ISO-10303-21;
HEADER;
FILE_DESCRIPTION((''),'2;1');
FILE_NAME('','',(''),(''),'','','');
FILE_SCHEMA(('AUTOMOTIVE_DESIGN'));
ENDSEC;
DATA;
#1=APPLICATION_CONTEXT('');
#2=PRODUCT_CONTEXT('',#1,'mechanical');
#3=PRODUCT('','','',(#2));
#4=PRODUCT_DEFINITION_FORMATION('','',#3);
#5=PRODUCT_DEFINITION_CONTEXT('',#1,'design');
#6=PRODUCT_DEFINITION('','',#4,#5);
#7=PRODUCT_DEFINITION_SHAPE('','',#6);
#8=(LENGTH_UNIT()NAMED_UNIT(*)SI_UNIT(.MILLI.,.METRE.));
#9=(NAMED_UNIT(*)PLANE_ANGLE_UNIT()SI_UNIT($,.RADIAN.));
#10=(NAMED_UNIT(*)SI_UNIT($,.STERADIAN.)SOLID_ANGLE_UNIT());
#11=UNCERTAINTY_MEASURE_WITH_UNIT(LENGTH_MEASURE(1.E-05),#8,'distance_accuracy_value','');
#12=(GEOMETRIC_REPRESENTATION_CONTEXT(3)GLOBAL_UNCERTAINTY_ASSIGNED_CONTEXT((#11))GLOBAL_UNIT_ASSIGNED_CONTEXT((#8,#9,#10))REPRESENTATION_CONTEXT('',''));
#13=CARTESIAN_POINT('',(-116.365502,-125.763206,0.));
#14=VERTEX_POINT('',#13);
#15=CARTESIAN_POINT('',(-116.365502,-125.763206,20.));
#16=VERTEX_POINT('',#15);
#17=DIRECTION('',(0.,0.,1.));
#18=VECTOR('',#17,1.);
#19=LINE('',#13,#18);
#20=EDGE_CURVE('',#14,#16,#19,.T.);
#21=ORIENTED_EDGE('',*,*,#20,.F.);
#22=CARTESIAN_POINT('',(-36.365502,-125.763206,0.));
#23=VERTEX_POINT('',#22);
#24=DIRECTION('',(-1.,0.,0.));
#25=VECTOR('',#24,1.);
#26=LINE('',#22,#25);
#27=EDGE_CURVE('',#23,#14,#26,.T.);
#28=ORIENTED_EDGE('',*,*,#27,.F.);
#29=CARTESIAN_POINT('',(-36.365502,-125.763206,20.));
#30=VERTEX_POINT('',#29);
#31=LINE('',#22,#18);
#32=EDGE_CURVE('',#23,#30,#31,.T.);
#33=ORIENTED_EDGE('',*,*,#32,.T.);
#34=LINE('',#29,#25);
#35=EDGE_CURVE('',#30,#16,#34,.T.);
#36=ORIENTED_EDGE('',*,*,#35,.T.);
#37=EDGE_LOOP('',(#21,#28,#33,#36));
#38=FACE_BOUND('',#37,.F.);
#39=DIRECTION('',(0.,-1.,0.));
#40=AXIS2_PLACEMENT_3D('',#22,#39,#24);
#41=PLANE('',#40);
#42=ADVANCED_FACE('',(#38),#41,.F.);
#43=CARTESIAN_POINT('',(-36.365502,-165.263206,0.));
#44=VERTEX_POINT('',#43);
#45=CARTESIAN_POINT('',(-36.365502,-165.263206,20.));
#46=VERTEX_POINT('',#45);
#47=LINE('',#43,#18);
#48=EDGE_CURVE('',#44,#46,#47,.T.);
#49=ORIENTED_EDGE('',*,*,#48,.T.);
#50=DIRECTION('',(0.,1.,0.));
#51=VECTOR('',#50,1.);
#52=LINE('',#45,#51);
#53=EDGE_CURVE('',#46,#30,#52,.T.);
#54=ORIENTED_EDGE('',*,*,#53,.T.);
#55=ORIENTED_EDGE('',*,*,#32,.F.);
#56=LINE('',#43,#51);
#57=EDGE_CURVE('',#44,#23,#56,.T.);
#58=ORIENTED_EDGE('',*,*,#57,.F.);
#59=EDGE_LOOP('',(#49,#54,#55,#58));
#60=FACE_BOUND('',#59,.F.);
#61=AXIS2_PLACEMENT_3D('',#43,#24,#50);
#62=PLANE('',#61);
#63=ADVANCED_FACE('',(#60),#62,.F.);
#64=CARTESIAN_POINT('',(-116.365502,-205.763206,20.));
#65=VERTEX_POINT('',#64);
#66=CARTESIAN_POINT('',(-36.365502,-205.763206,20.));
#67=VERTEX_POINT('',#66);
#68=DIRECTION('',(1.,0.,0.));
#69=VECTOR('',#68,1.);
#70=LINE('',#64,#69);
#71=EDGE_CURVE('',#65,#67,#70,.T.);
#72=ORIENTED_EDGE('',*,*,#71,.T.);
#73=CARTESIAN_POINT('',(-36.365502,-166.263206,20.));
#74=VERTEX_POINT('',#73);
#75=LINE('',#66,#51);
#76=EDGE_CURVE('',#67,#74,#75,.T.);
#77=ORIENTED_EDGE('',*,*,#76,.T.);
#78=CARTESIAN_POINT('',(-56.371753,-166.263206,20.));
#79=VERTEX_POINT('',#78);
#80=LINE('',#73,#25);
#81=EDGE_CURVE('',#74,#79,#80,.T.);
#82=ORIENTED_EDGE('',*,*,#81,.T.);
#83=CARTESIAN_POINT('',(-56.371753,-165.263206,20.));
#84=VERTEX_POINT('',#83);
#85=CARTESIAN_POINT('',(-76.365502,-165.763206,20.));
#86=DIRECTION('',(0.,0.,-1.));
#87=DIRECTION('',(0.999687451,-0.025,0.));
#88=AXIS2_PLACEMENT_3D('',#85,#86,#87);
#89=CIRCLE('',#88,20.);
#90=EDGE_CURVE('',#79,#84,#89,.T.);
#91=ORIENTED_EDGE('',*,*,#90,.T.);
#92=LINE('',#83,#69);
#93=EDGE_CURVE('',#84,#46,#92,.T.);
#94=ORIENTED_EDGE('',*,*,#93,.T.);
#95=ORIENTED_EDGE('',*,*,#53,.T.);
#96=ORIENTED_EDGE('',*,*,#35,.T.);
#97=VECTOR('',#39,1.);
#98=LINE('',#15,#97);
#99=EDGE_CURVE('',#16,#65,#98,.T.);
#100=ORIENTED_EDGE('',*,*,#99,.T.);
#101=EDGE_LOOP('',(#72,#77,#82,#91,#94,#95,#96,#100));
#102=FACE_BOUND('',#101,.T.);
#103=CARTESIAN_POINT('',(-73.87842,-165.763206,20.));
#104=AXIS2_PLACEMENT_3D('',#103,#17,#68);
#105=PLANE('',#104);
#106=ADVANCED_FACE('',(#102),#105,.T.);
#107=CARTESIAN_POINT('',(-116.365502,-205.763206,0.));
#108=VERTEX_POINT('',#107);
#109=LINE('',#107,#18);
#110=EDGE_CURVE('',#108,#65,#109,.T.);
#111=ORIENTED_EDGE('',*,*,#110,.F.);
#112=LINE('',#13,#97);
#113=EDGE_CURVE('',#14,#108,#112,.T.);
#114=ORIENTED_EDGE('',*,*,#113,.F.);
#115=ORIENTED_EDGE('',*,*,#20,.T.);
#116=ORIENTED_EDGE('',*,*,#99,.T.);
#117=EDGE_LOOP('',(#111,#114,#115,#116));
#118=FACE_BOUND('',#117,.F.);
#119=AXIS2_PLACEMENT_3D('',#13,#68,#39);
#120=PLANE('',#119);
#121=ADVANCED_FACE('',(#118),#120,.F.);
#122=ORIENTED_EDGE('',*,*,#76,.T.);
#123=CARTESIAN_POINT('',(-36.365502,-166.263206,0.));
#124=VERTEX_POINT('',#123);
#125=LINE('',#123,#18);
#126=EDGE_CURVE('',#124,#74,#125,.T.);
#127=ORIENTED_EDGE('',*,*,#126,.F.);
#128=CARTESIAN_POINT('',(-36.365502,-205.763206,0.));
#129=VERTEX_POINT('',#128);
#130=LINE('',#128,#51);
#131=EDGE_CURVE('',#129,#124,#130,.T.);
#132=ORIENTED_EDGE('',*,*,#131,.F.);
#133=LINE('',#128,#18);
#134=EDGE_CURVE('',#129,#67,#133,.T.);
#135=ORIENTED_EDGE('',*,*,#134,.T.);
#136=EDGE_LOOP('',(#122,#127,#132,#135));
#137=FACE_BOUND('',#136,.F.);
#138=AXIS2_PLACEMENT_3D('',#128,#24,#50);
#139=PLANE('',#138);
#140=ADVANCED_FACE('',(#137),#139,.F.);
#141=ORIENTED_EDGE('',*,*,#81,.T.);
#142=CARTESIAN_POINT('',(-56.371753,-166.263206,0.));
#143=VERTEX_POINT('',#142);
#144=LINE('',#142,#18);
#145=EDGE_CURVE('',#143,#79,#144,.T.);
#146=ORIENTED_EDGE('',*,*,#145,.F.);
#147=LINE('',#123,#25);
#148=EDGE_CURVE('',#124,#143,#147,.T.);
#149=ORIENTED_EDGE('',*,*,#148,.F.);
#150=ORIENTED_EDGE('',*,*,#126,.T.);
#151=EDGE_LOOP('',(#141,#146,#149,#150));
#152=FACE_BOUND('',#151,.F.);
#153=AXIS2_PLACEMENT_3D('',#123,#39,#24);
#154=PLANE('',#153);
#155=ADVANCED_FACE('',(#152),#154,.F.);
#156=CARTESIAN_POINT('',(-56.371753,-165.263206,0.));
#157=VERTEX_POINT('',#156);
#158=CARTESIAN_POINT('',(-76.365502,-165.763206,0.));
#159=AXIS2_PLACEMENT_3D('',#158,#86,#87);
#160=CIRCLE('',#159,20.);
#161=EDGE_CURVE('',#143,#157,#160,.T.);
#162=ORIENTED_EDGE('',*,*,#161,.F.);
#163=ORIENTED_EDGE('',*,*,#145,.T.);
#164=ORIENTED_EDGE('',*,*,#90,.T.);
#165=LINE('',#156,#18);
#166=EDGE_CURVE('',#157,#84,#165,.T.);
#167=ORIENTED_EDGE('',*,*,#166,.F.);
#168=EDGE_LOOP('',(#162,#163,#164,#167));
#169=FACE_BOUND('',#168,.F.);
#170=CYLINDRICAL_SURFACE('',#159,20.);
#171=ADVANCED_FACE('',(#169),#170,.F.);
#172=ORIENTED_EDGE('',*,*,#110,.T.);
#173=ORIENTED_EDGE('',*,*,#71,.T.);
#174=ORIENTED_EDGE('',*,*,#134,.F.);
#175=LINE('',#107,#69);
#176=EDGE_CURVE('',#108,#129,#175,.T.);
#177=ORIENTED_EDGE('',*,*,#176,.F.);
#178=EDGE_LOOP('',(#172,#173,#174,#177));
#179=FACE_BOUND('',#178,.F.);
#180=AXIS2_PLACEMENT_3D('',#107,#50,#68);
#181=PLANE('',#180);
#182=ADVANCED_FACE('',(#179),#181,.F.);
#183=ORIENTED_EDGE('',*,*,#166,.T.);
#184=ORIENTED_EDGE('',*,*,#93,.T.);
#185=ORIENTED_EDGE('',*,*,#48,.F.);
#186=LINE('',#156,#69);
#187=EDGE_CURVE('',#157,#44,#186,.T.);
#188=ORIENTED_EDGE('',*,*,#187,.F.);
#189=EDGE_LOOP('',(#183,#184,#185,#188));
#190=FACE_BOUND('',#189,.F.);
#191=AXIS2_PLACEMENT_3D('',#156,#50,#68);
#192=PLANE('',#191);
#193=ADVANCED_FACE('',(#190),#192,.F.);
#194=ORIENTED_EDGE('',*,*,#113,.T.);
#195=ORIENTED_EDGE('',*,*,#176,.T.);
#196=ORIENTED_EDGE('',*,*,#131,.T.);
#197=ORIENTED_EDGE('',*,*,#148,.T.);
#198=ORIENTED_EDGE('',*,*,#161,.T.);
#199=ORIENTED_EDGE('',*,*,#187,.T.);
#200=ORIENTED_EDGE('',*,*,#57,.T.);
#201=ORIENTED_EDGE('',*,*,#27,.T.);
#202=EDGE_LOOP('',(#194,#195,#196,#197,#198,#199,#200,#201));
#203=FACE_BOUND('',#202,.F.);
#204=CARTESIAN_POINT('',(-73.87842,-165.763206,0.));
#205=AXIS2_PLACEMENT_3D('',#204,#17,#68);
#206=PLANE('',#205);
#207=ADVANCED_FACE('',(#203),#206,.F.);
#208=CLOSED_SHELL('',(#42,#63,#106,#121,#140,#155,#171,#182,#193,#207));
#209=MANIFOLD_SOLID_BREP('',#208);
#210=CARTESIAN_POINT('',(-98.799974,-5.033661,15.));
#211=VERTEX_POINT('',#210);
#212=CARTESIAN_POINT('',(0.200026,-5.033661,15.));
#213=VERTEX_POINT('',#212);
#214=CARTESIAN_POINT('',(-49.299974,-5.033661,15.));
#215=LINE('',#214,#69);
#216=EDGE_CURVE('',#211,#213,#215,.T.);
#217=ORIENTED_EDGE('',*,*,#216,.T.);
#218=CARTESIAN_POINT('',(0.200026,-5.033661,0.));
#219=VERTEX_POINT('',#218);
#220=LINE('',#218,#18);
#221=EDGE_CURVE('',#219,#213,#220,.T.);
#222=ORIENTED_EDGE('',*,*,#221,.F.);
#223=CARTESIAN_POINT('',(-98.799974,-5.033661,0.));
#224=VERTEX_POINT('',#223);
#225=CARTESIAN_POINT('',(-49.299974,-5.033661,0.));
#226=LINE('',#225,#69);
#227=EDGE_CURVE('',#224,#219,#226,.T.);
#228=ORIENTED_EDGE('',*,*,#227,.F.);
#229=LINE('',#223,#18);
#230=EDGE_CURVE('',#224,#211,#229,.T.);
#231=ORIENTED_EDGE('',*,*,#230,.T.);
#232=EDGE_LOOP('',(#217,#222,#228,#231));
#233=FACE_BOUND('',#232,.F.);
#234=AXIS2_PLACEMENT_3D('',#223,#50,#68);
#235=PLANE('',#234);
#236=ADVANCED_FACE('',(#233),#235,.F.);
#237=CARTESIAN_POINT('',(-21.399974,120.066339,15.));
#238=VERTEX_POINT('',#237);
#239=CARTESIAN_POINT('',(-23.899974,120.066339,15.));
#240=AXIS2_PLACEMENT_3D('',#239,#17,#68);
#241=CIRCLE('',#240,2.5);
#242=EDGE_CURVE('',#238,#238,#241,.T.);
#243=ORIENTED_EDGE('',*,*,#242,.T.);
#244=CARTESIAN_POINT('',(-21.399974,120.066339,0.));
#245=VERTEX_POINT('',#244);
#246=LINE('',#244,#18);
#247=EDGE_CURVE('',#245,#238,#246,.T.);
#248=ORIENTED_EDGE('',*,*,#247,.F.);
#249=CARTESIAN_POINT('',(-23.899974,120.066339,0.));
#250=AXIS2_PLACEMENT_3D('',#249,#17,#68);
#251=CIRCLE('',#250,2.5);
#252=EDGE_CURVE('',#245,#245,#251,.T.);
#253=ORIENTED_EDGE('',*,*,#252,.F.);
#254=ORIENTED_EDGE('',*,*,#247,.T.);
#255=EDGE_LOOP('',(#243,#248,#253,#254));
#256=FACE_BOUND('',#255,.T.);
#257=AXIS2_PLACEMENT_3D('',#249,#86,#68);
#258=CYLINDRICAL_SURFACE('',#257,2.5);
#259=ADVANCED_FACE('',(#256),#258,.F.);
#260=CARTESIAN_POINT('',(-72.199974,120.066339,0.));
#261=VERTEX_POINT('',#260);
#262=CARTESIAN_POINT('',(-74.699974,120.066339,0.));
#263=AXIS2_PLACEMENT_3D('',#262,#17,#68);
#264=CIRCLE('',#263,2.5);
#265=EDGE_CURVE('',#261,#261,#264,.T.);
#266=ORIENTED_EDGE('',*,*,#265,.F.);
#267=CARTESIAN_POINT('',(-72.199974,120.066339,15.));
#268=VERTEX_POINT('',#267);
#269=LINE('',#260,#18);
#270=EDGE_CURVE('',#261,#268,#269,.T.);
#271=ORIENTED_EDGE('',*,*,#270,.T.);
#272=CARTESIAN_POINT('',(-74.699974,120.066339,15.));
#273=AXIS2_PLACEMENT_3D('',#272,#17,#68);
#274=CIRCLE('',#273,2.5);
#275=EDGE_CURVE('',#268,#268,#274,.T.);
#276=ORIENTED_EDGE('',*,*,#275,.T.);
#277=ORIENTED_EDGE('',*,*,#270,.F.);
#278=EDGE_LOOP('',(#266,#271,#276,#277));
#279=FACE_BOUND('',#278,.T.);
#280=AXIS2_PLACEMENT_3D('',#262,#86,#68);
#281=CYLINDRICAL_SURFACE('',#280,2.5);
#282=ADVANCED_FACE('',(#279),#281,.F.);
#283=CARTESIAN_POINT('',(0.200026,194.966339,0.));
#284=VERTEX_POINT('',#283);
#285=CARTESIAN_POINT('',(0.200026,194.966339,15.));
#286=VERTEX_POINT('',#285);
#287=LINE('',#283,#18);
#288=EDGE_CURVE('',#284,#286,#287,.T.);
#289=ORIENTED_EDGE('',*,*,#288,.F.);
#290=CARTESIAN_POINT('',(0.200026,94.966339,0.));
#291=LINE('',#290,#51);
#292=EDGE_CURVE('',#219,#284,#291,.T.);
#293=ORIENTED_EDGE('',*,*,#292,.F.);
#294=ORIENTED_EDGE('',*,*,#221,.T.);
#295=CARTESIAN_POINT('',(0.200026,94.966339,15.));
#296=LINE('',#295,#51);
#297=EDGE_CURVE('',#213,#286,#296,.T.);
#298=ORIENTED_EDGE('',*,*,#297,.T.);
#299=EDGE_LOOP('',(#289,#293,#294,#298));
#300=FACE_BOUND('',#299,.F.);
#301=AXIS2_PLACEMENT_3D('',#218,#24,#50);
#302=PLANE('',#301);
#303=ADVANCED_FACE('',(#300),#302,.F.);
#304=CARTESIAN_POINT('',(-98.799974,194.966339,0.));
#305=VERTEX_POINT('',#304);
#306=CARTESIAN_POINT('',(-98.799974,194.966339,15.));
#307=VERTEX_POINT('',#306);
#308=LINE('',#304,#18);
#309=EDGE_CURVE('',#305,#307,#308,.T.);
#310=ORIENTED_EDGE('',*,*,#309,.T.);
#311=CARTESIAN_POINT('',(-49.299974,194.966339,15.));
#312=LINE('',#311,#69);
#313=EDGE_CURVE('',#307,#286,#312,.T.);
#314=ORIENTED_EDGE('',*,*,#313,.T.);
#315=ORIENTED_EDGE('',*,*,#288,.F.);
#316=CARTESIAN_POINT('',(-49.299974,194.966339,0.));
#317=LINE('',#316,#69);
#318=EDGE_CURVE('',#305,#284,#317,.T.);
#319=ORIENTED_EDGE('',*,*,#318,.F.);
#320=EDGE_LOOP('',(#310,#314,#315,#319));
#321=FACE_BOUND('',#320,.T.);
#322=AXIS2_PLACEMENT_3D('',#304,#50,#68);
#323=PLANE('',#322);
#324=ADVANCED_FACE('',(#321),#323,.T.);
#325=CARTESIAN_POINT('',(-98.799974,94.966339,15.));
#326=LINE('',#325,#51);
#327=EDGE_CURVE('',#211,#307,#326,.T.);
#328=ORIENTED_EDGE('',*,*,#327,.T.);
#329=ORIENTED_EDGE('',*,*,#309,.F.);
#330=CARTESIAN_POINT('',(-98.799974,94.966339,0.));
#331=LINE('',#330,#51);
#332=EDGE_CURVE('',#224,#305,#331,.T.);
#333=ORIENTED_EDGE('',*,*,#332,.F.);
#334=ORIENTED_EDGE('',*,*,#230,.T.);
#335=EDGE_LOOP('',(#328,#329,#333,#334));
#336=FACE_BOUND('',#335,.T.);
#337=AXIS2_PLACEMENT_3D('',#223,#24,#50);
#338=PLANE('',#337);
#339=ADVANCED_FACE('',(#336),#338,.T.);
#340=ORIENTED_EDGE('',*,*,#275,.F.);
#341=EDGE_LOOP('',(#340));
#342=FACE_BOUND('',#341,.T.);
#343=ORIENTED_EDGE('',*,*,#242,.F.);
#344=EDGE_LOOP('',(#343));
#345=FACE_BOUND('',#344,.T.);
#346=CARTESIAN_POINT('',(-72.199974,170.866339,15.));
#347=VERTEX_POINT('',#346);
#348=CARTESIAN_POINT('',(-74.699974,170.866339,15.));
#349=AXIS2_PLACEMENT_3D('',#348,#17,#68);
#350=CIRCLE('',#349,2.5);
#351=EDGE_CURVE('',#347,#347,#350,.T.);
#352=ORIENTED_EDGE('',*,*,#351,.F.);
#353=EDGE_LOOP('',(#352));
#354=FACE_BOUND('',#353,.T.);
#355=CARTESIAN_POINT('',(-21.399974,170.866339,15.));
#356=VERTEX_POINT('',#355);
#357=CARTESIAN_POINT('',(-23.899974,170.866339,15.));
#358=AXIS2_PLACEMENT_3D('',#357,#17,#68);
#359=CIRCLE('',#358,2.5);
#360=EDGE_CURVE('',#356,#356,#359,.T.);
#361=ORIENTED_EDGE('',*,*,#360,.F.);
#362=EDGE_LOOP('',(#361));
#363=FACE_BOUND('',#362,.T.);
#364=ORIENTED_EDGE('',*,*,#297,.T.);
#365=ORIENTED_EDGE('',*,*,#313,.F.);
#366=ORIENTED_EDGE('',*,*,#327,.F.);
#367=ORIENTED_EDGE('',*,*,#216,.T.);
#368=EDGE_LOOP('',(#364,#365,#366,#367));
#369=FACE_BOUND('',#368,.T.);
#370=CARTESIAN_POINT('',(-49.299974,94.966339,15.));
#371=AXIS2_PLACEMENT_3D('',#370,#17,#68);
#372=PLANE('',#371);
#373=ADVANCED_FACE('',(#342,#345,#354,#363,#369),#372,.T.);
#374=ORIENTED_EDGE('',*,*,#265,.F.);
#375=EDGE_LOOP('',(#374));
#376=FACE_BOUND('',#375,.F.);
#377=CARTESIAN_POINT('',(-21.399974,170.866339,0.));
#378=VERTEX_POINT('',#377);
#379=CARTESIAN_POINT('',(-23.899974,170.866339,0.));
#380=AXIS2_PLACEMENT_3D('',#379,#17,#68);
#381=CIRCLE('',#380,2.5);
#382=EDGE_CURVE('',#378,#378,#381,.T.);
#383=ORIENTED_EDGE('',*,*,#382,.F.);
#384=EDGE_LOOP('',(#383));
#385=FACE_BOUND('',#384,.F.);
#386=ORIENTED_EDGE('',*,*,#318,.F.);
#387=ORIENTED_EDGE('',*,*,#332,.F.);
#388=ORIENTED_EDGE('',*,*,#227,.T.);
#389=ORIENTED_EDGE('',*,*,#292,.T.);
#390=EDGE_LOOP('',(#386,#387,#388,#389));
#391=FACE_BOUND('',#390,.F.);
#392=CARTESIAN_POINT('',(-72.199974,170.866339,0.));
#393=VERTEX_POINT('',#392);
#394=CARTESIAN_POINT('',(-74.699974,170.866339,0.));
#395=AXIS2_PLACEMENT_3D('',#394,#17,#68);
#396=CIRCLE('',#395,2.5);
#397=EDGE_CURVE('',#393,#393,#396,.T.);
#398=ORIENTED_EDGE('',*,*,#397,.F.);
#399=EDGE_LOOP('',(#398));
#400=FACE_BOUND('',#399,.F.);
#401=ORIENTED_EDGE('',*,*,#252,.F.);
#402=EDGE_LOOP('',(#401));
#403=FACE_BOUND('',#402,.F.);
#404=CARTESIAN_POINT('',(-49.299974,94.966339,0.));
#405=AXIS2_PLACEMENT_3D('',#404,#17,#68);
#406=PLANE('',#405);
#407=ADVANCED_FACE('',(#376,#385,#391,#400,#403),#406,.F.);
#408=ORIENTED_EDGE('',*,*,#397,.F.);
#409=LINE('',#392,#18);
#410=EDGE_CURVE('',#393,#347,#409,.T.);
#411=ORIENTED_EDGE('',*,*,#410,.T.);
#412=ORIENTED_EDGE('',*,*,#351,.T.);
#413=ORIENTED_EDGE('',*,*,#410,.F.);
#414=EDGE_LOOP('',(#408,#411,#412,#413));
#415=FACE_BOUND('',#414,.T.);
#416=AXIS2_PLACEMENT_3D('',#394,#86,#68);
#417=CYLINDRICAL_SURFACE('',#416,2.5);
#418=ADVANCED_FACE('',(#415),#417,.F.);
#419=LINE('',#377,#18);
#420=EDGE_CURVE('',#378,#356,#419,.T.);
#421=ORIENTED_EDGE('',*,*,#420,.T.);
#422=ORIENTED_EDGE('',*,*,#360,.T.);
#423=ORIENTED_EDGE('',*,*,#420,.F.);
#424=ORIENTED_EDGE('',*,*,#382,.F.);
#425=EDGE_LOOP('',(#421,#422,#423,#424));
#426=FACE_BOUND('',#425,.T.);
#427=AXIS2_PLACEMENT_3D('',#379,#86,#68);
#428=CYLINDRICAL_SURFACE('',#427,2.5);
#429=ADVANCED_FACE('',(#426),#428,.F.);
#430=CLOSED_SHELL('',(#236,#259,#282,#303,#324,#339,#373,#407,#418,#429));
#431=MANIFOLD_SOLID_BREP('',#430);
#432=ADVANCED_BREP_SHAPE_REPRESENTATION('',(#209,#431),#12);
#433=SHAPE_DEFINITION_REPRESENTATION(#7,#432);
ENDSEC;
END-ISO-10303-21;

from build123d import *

# Parameters (mm, degrees)
F0_W     = 99
F0_H     = 200
F0_R     = 2.5
F1_DEPTH = 15
F3_DEPTH = 20


with BuildPart() as f1:
    # F0 (on Top) → F1 (new body)
    with BuildSketch(Plane.XY):
        with Locations((-49.299974, 94.966339)):
            Rectangle(F0_W, F0_H)
        with Locations((-74.699974, 120.066339)):
            Circle(F0_R, mode=Mode.SUBTRACT)
        with Locations((-74.699974, 170.866339)):
            Circle(F0_R, mode=Mode.SUBTRACT)
        with Locations((-23.899974, 120.066339)):
            Circle(F0_R, mode=Mode.SUBTRACT)
        with Locations((-23.899974, 170.866339)):
            Circle(F0_R, mode=Mode.SUBTRACT)
    extrude(amount=F1_DEPTH)


with BuildPart() as f3:
    # F2 (on Top) → F3 (new body)
    with BuildSketch(Plane.XY):
        with BuildLine():
            Line((-36.365502, -125.763206), (-116.365502, -125.763206))
            Line((-116.365502, -125.763206), (-116.365502, -205.763206))
            Line((-116.365502, -205.763206), (-36.365502, -205.763206))
            Line((-36.365502, -205.763206), (-36.365502, -166.263206))
            Line((-36.365502, -166.263206), (-56.371753, -166.263206))
            ThreePointArc((-56.371753, -166.263206), (-96.365502, -165.763206), (-56.371753, -165.263206))
            Line((-56.371753, -165.263206), (-36.365502, -165.263206))
            Line((-36.365502, -165.263206), (-36.365502, -125.763206))
        make_face()
    extrude(amount=F3_DEPTH)


solid = Compound([f1.part, f3.part])
